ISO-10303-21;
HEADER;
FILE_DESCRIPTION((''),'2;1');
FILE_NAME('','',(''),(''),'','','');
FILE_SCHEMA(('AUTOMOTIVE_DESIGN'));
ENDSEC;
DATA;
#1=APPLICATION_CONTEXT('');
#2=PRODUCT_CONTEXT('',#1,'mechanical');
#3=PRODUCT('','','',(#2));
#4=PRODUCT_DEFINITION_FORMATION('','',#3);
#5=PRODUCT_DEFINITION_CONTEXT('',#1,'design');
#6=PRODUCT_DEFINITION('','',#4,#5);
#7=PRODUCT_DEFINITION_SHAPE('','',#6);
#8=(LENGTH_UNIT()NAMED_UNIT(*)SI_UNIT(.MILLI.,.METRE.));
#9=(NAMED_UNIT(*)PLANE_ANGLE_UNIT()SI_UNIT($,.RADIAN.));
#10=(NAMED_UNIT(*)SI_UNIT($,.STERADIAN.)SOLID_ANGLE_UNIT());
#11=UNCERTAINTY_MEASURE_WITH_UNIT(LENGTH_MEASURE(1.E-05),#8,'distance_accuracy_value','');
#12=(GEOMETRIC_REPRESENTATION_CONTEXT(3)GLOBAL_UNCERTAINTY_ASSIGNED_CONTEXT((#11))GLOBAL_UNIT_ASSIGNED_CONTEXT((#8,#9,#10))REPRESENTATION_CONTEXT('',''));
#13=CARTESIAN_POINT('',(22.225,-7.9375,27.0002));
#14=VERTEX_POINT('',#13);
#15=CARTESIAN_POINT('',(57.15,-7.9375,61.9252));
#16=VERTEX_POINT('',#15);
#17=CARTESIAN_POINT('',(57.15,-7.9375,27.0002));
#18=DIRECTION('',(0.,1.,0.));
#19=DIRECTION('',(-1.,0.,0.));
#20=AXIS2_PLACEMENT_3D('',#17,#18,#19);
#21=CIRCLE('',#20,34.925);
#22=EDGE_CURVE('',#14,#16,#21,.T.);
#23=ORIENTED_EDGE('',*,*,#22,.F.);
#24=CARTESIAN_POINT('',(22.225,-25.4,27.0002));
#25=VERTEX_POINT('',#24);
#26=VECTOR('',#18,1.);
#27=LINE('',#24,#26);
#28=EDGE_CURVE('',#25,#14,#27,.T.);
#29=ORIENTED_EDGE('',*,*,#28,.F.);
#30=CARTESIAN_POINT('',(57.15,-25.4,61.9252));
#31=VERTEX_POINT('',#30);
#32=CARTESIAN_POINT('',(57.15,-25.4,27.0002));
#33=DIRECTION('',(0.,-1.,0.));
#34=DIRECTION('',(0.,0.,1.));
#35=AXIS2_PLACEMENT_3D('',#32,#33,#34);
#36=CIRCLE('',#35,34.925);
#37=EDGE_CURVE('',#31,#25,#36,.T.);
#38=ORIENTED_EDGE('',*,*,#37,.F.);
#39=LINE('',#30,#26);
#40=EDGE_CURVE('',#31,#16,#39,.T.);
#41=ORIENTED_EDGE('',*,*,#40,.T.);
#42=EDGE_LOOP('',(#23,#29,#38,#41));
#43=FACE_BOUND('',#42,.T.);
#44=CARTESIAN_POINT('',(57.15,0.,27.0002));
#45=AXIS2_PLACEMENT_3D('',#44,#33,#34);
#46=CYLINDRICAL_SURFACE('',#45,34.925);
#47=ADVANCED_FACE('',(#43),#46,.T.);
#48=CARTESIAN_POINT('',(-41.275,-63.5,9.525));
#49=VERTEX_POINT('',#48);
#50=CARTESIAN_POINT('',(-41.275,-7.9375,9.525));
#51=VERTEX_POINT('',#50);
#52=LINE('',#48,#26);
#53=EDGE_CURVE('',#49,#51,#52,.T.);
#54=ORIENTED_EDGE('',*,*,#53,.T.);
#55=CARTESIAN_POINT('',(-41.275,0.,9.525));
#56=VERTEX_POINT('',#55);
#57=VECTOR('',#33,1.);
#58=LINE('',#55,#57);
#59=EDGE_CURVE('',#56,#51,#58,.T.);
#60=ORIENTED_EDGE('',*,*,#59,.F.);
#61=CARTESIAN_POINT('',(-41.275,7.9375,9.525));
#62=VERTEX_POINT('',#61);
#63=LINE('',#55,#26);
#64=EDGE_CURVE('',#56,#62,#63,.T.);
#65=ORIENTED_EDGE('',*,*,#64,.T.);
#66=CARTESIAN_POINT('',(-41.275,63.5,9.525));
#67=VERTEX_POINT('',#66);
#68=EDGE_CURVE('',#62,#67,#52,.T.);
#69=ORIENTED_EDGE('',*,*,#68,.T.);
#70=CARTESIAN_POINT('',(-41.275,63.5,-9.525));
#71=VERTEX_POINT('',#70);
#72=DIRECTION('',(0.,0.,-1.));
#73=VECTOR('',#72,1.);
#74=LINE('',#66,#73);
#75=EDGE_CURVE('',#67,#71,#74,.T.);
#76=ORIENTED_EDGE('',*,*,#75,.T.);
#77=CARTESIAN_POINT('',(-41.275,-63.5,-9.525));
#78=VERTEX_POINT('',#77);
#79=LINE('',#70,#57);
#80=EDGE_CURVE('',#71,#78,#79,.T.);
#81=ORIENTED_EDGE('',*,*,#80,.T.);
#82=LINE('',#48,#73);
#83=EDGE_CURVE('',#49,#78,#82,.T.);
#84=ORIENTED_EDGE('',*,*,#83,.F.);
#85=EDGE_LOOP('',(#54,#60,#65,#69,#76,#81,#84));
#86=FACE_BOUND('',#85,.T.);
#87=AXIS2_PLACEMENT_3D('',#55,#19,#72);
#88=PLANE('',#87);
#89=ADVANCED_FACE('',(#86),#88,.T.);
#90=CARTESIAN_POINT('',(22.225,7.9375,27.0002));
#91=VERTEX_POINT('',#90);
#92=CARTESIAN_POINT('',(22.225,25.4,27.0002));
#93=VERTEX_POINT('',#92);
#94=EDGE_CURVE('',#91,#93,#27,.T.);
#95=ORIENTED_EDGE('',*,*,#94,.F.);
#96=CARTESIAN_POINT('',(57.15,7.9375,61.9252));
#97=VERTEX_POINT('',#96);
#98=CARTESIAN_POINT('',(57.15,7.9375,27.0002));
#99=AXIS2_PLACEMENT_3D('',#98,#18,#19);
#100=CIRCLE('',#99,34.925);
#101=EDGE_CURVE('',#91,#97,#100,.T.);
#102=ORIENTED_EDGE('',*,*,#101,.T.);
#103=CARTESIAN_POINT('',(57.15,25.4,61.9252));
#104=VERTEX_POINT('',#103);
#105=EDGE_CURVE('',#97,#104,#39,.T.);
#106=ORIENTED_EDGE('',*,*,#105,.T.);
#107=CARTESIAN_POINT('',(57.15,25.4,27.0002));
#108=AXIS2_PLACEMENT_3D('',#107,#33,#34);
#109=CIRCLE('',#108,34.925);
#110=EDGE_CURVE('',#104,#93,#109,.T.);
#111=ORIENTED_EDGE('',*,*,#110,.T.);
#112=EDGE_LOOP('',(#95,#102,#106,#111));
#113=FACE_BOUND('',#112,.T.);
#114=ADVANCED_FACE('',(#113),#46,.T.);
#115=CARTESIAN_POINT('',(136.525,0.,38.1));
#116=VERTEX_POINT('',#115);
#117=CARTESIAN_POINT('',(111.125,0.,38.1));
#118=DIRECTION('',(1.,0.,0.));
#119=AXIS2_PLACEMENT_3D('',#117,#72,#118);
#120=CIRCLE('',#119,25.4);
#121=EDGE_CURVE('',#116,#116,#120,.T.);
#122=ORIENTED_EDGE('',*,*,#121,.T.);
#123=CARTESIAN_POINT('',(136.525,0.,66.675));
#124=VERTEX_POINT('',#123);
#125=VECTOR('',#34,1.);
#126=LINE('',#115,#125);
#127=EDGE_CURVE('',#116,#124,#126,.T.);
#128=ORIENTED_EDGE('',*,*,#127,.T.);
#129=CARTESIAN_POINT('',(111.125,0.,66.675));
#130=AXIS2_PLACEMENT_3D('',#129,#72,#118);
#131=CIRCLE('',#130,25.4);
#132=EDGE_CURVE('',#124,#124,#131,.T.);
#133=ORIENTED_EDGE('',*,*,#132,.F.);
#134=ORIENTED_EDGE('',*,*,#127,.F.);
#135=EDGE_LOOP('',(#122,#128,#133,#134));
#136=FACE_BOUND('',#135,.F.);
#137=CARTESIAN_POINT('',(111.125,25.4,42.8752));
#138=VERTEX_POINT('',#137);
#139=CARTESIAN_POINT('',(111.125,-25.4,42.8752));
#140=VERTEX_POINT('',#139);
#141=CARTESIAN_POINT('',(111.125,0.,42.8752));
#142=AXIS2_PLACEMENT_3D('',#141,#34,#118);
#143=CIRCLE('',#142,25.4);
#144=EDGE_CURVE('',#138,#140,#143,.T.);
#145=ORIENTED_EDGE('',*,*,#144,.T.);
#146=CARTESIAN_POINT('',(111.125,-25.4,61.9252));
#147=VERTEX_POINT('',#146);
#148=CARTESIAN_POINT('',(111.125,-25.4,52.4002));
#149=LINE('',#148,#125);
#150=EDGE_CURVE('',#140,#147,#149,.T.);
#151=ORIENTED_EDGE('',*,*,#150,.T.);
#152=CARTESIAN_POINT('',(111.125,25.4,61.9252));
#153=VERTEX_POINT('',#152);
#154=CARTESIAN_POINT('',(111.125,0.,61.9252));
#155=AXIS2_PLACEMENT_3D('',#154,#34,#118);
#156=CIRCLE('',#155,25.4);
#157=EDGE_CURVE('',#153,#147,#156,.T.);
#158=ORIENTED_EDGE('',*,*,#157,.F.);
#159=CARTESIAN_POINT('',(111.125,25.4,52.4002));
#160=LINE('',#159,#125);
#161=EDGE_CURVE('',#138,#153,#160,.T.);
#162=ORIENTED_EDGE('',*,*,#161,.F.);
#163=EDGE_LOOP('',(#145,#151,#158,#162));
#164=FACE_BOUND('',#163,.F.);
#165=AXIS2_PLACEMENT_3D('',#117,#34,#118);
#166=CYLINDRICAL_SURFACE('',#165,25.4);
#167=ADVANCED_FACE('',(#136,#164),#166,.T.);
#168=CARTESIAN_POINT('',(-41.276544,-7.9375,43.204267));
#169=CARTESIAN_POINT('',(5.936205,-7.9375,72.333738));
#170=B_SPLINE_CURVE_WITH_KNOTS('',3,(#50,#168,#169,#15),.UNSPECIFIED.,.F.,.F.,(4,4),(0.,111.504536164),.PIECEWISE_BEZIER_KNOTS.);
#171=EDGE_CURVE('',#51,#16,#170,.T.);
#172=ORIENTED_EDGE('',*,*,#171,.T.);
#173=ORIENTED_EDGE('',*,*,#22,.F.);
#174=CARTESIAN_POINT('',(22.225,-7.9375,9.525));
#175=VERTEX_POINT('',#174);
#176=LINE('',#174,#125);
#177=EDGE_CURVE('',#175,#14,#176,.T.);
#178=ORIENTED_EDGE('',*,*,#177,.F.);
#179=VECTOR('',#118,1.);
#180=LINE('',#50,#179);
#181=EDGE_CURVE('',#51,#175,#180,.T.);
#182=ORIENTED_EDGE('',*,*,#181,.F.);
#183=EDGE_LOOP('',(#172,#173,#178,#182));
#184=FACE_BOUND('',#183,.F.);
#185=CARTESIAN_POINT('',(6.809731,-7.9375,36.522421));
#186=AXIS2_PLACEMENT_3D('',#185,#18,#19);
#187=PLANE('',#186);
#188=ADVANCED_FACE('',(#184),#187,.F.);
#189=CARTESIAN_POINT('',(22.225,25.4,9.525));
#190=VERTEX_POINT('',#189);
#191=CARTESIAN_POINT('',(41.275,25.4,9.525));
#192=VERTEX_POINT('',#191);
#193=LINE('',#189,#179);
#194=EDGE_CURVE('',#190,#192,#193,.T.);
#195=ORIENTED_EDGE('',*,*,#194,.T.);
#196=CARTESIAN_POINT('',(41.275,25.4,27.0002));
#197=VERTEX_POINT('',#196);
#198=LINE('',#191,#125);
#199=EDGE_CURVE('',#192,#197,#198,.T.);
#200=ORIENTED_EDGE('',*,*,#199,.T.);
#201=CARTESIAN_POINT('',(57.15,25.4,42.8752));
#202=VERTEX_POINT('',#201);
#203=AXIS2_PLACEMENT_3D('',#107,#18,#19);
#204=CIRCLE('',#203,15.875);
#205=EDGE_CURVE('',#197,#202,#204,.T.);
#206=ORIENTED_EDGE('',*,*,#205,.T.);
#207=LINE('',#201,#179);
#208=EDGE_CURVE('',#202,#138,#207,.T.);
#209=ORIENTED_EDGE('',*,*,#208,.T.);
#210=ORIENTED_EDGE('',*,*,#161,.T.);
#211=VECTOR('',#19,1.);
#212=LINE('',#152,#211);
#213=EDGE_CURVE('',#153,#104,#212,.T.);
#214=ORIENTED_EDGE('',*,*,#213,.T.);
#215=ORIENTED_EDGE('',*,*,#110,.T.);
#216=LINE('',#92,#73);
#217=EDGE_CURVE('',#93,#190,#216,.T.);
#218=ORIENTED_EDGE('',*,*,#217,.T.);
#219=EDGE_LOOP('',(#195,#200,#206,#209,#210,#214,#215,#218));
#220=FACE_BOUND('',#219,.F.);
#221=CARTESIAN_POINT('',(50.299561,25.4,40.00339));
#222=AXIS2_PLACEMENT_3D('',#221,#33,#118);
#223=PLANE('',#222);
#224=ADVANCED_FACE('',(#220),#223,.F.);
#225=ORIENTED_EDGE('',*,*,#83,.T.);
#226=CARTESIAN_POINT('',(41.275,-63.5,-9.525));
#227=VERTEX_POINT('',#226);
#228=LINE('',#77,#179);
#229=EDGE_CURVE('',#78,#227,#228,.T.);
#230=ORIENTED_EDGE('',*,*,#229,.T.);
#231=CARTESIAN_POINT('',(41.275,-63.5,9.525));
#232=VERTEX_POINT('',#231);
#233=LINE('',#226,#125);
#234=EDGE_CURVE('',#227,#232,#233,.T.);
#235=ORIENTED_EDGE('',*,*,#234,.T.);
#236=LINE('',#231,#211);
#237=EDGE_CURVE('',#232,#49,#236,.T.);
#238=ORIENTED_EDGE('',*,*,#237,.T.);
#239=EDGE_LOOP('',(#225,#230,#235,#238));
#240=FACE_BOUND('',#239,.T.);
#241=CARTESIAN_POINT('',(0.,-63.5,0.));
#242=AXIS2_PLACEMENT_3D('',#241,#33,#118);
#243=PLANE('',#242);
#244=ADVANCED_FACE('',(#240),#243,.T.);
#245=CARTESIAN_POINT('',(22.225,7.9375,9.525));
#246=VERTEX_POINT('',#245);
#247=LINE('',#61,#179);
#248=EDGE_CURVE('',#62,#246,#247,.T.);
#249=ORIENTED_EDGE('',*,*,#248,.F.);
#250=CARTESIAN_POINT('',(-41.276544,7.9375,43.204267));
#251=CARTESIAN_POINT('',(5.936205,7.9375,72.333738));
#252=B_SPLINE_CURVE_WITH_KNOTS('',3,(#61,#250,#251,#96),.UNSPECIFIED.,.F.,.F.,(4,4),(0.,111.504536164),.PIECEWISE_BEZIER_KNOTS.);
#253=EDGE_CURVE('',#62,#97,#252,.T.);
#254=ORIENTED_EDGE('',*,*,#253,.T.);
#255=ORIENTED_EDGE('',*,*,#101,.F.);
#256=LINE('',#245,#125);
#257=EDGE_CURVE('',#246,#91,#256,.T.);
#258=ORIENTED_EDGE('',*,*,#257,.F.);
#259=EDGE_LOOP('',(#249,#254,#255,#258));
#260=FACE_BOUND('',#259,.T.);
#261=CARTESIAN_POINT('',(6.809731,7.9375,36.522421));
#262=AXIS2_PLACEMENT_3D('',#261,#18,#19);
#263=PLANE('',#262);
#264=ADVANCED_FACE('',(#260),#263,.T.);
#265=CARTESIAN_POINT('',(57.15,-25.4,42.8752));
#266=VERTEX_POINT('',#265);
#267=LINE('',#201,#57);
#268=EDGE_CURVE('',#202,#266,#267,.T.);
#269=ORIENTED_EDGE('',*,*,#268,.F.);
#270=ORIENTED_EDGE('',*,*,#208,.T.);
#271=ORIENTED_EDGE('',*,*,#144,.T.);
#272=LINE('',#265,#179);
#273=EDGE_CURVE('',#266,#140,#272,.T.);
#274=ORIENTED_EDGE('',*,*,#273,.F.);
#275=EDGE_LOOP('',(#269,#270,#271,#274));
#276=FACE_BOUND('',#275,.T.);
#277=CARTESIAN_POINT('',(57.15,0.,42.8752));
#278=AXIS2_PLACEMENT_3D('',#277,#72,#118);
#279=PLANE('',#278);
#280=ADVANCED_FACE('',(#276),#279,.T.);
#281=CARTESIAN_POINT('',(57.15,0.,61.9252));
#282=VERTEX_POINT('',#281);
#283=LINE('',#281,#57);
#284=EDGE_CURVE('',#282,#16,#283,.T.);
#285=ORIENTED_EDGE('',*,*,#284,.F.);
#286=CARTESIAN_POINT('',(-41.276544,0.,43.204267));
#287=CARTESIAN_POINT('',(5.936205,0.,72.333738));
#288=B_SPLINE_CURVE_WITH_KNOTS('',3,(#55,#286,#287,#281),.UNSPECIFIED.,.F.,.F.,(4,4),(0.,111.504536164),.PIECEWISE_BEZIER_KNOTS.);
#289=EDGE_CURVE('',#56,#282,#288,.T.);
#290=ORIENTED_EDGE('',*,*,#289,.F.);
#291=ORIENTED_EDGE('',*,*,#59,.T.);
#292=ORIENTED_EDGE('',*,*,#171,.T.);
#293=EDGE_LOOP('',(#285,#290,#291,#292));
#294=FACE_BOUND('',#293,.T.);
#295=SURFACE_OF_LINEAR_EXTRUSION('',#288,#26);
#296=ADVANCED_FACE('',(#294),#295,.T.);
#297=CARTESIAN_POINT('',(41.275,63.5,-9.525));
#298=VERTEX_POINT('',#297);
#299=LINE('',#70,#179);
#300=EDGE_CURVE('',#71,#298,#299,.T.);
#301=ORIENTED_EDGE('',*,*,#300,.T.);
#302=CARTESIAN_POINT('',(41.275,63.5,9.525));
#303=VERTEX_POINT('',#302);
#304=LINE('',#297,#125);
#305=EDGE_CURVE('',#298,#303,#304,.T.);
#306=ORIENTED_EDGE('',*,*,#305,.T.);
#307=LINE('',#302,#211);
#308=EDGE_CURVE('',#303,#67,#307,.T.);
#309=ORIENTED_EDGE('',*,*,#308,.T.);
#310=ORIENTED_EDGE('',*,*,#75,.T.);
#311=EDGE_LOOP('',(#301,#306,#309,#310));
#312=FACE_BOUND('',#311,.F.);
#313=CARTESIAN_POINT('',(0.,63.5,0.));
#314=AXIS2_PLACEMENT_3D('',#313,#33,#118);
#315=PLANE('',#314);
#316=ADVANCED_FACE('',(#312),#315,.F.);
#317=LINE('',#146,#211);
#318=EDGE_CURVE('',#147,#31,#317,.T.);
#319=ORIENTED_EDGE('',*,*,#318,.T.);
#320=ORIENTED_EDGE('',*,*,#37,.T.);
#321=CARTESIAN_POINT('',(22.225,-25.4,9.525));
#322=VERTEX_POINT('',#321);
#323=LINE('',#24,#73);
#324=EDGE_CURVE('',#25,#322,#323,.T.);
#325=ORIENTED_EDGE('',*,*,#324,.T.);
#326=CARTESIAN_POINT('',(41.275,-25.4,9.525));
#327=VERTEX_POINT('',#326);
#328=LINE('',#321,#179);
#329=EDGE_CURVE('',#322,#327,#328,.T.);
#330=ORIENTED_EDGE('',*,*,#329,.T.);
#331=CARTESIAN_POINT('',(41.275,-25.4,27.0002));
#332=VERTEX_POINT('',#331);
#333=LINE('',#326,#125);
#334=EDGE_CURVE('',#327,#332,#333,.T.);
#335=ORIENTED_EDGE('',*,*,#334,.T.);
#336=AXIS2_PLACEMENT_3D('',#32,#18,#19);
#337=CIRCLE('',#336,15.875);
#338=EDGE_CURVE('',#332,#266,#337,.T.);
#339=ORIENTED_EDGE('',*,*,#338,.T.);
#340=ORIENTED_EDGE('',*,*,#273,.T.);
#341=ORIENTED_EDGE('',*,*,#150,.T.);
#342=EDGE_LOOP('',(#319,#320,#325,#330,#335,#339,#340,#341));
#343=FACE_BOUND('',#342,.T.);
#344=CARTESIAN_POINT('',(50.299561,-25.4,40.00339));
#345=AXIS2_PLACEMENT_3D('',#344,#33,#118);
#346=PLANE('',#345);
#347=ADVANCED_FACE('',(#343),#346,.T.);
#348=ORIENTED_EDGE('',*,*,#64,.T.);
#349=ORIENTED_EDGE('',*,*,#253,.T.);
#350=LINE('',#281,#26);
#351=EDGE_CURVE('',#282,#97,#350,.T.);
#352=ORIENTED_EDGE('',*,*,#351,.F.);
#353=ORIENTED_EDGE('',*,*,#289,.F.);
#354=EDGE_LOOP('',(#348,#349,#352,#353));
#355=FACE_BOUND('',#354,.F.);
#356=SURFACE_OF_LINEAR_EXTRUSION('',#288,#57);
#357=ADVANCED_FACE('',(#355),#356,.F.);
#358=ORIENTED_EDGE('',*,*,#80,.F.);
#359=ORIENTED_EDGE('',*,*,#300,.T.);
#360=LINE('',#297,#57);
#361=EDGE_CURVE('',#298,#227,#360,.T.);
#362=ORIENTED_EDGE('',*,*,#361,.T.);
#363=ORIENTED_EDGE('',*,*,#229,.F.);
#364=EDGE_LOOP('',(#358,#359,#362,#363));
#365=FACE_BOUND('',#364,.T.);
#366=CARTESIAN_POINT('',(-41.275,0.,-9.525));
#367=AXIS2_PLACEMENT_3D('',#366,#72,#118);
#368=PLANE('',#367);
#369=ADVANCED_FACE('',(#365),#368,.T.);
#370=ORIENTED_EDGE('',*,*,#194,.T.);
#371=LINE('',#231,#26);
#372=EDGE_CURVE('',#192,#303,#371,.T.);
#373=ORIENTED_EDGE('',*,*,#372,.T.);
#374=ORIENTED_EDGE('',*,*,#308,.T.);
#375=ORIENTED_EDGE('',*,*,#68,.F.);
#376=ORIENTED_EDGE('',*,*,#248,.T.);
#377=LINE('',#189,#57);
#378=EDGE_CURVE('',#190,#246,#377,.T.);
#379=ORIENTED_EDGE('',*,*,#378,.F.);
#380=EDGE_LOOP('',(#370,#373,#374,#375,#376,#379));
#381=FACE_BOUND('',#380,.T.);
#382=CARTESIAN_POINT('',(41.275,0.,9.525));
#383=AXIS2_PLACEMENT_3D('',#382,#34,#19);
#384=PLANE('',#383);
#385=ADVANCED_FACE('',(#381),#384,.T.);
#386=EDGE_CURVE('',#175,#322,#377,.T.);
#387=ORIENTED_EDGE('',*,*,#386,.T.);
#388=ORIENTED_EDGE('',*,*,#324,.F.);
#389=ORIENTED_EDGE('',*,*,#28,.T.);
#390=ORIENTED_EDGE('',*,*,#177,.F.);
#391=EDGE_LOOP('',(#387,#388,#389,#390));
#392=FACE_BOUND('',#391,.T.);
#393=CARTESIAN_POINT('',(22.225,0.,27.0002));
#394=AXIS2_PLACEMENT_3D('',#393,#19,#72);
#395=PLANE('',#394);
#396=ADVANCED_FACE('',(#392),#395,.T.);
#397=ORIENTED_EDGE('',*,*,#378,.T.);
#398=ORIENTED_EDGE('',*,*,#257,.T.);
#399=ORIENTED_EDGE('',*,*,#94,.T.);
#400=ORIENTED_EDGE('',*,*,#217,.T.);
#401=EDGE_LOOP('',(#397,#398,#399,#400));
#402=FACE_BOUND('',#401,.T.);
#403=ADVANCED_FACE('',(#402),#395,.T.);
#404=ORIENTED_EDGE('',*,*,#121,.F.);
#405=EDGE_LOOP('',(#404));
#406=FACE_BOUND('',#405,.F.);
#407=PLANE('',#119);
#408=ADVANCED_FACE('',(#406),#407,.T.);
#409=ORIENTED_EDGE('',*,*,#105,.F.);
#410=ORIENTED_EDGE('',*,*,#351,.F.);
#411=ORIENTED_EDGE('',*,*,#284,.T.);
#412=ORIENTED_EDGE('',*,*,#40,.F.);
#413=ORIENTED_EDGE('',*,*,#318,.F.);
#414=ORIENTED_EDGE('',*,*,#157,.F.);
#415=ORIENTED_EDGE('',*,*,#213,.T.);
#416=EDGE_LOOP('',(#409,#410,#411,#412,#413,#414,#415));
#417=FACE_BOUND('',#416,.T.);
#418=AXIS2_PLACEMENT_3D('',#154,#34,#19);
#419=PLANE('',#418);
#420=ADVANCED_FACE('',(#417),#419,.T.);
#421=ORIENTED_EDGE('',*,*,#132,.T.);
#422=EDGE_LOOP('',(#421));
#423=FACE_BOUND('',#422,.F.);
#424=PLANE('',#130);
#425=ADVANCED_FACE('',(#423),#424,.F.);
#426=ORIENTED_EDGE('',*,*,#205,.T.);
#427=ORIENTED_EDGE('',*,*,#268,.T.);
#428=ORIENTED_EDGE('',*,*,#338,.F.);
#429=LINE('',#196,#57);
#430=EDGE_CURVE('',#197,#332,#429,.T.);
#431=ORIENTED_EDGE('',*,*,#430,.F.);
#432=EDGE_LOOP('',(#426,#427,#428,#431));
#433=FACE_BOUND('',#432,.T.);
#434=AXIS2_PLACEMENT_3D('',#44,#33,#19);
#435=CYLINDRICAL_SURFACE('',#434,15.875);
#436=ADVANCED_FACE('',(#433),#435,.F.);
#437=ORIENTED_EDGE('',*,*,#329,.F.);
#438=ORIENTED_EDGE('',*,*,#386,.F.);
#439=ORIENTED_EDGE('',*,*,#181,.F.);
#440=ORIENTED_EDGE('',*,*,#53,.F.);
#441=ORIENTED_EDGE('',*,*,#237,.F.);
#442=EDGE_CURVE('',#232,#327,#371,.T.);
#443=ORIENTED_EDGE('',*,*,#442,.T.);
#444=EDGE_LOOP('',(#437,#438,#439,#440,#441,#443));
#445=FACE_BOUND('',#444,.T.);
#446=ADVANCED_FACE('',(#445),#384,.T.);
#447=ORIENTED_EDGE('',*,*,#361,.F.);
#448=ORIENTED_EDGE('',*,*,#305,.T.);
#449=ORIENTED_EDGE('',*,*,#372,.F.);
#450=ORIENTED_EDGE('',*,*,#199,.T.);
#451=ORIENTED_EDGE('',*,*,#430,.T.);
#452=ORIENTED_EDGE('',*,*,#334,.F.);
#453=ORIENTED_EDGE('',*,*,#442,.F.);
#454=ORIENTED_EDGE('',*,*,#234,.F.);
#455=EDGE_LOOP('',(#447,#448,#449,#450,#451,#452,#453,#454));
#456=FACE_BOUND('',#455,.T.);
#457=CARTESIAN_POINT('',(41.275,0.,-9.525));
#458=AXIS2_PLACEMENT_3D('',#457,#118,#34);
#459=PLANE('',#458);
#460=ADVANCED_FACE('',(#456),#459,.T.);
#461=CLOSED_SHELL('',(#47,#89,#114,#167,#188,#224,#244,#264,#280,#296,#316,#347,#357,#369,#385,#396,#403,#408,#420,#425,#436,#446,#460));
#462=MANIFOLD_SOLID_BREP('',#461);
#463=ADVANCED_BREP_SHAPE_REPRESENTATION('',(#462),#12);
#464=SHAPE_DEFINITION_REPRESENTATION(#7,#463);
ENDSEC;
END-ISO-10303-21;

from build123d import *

# Parameters (mm, degrees)
F1_DEPTH = 63.5
F0_W     = 25.4
F0_H     = 19.05
F2_DEPTH = 25.4
F3_DEPTH = 7.9375


with BuildPart() as f1:
    # F0 (on Front) → F1 (new body, symmetric)
    with BuildSketch(Plane.XZ):
        Polygon((22.225, 9.525), (-41.275, 9.525), (-41.275, -9.525), (41.275, -9.525), (41.275, 9.525), align=None)
    extrude(amount=F1_DEPTH, both=True)

    # F0 (on Front) → F2 (join, symmetric)
    with BuildSketch(Plane.XZ):
        with BuildLine():
            Line((22.225, 27.0002), (22.225, 9.525))
            Line((22.225, 9.525), (41.275, 9.525))
            Line((41.275, 9.525), (41.275, 27.0002))
            ThreePointArc((41.275, 27.0002), (45.9246798487, 38.2255201513), (57.15, 42.8752))
            Line((57.15, 42.8752), (85.725, 42.8752))
            Line((85.725, 42.8752), (85.725, 61.9252))
            Line((85.725, 61.9252), (57.15, 61.9252))
            ThreePointArc((57.15, 61.9252), (32.4542956671, 51.6959043329), (22.225, 27.0002))
        make_face()
        with Locations((98.425, 52.4002)):
            Rectangle(F0_W, F0_H)
    extrude(amount=F2_DEPTH, both=True)

    # F0 (on Front) → F3 (join, symmetric)
    with BuildSketch(Plane.XZ):
        with BuildLine():
            add(Edge.make_bspline(
                [(-41.275, 9.525), (-41.2765443325, 43.204266578), (5.9362053871, 72.3337382078), (57.15, 61.9252)],
                knots=[0, 0, 0, 0, 111.5045361635, 111.5045361635, 111.5045361635, 111.5045361635], degree=3))
            Line((-41.275, 9.525), (22.225, 9.525))
            Line((22.225, 9.525), (22.225, 27.0002))
            ThreePointArc((22.225, 27.0002), (32.4542956671, 51.6959043329), (57.15, 61.9252))
        make_face()
    extrude(amount=F3_DEPTH, both=True)

    # F0 (on Front) → F4 (revolve)
    with BuildSketch(Plane.XZ):
        Polygon((111.125, 66.675), (111.125, 61.9252), (111.125, 42.8752), (111.125, 38.1), (136.525, 38.1), (136.525, 66.675), align=None)
    revolve(axis=Axis((111.125, 0, 52.3875), (0, 0, -1)))


with BuildPart() as f5_1:
    # F5: copy of F1
    add(f1.part)


with BuildPart() as f6_1:
    # F6: copy of F1
    add(f1.part.moved(Location((50.8, 50.8, 50.8))))


solid = f1.part
